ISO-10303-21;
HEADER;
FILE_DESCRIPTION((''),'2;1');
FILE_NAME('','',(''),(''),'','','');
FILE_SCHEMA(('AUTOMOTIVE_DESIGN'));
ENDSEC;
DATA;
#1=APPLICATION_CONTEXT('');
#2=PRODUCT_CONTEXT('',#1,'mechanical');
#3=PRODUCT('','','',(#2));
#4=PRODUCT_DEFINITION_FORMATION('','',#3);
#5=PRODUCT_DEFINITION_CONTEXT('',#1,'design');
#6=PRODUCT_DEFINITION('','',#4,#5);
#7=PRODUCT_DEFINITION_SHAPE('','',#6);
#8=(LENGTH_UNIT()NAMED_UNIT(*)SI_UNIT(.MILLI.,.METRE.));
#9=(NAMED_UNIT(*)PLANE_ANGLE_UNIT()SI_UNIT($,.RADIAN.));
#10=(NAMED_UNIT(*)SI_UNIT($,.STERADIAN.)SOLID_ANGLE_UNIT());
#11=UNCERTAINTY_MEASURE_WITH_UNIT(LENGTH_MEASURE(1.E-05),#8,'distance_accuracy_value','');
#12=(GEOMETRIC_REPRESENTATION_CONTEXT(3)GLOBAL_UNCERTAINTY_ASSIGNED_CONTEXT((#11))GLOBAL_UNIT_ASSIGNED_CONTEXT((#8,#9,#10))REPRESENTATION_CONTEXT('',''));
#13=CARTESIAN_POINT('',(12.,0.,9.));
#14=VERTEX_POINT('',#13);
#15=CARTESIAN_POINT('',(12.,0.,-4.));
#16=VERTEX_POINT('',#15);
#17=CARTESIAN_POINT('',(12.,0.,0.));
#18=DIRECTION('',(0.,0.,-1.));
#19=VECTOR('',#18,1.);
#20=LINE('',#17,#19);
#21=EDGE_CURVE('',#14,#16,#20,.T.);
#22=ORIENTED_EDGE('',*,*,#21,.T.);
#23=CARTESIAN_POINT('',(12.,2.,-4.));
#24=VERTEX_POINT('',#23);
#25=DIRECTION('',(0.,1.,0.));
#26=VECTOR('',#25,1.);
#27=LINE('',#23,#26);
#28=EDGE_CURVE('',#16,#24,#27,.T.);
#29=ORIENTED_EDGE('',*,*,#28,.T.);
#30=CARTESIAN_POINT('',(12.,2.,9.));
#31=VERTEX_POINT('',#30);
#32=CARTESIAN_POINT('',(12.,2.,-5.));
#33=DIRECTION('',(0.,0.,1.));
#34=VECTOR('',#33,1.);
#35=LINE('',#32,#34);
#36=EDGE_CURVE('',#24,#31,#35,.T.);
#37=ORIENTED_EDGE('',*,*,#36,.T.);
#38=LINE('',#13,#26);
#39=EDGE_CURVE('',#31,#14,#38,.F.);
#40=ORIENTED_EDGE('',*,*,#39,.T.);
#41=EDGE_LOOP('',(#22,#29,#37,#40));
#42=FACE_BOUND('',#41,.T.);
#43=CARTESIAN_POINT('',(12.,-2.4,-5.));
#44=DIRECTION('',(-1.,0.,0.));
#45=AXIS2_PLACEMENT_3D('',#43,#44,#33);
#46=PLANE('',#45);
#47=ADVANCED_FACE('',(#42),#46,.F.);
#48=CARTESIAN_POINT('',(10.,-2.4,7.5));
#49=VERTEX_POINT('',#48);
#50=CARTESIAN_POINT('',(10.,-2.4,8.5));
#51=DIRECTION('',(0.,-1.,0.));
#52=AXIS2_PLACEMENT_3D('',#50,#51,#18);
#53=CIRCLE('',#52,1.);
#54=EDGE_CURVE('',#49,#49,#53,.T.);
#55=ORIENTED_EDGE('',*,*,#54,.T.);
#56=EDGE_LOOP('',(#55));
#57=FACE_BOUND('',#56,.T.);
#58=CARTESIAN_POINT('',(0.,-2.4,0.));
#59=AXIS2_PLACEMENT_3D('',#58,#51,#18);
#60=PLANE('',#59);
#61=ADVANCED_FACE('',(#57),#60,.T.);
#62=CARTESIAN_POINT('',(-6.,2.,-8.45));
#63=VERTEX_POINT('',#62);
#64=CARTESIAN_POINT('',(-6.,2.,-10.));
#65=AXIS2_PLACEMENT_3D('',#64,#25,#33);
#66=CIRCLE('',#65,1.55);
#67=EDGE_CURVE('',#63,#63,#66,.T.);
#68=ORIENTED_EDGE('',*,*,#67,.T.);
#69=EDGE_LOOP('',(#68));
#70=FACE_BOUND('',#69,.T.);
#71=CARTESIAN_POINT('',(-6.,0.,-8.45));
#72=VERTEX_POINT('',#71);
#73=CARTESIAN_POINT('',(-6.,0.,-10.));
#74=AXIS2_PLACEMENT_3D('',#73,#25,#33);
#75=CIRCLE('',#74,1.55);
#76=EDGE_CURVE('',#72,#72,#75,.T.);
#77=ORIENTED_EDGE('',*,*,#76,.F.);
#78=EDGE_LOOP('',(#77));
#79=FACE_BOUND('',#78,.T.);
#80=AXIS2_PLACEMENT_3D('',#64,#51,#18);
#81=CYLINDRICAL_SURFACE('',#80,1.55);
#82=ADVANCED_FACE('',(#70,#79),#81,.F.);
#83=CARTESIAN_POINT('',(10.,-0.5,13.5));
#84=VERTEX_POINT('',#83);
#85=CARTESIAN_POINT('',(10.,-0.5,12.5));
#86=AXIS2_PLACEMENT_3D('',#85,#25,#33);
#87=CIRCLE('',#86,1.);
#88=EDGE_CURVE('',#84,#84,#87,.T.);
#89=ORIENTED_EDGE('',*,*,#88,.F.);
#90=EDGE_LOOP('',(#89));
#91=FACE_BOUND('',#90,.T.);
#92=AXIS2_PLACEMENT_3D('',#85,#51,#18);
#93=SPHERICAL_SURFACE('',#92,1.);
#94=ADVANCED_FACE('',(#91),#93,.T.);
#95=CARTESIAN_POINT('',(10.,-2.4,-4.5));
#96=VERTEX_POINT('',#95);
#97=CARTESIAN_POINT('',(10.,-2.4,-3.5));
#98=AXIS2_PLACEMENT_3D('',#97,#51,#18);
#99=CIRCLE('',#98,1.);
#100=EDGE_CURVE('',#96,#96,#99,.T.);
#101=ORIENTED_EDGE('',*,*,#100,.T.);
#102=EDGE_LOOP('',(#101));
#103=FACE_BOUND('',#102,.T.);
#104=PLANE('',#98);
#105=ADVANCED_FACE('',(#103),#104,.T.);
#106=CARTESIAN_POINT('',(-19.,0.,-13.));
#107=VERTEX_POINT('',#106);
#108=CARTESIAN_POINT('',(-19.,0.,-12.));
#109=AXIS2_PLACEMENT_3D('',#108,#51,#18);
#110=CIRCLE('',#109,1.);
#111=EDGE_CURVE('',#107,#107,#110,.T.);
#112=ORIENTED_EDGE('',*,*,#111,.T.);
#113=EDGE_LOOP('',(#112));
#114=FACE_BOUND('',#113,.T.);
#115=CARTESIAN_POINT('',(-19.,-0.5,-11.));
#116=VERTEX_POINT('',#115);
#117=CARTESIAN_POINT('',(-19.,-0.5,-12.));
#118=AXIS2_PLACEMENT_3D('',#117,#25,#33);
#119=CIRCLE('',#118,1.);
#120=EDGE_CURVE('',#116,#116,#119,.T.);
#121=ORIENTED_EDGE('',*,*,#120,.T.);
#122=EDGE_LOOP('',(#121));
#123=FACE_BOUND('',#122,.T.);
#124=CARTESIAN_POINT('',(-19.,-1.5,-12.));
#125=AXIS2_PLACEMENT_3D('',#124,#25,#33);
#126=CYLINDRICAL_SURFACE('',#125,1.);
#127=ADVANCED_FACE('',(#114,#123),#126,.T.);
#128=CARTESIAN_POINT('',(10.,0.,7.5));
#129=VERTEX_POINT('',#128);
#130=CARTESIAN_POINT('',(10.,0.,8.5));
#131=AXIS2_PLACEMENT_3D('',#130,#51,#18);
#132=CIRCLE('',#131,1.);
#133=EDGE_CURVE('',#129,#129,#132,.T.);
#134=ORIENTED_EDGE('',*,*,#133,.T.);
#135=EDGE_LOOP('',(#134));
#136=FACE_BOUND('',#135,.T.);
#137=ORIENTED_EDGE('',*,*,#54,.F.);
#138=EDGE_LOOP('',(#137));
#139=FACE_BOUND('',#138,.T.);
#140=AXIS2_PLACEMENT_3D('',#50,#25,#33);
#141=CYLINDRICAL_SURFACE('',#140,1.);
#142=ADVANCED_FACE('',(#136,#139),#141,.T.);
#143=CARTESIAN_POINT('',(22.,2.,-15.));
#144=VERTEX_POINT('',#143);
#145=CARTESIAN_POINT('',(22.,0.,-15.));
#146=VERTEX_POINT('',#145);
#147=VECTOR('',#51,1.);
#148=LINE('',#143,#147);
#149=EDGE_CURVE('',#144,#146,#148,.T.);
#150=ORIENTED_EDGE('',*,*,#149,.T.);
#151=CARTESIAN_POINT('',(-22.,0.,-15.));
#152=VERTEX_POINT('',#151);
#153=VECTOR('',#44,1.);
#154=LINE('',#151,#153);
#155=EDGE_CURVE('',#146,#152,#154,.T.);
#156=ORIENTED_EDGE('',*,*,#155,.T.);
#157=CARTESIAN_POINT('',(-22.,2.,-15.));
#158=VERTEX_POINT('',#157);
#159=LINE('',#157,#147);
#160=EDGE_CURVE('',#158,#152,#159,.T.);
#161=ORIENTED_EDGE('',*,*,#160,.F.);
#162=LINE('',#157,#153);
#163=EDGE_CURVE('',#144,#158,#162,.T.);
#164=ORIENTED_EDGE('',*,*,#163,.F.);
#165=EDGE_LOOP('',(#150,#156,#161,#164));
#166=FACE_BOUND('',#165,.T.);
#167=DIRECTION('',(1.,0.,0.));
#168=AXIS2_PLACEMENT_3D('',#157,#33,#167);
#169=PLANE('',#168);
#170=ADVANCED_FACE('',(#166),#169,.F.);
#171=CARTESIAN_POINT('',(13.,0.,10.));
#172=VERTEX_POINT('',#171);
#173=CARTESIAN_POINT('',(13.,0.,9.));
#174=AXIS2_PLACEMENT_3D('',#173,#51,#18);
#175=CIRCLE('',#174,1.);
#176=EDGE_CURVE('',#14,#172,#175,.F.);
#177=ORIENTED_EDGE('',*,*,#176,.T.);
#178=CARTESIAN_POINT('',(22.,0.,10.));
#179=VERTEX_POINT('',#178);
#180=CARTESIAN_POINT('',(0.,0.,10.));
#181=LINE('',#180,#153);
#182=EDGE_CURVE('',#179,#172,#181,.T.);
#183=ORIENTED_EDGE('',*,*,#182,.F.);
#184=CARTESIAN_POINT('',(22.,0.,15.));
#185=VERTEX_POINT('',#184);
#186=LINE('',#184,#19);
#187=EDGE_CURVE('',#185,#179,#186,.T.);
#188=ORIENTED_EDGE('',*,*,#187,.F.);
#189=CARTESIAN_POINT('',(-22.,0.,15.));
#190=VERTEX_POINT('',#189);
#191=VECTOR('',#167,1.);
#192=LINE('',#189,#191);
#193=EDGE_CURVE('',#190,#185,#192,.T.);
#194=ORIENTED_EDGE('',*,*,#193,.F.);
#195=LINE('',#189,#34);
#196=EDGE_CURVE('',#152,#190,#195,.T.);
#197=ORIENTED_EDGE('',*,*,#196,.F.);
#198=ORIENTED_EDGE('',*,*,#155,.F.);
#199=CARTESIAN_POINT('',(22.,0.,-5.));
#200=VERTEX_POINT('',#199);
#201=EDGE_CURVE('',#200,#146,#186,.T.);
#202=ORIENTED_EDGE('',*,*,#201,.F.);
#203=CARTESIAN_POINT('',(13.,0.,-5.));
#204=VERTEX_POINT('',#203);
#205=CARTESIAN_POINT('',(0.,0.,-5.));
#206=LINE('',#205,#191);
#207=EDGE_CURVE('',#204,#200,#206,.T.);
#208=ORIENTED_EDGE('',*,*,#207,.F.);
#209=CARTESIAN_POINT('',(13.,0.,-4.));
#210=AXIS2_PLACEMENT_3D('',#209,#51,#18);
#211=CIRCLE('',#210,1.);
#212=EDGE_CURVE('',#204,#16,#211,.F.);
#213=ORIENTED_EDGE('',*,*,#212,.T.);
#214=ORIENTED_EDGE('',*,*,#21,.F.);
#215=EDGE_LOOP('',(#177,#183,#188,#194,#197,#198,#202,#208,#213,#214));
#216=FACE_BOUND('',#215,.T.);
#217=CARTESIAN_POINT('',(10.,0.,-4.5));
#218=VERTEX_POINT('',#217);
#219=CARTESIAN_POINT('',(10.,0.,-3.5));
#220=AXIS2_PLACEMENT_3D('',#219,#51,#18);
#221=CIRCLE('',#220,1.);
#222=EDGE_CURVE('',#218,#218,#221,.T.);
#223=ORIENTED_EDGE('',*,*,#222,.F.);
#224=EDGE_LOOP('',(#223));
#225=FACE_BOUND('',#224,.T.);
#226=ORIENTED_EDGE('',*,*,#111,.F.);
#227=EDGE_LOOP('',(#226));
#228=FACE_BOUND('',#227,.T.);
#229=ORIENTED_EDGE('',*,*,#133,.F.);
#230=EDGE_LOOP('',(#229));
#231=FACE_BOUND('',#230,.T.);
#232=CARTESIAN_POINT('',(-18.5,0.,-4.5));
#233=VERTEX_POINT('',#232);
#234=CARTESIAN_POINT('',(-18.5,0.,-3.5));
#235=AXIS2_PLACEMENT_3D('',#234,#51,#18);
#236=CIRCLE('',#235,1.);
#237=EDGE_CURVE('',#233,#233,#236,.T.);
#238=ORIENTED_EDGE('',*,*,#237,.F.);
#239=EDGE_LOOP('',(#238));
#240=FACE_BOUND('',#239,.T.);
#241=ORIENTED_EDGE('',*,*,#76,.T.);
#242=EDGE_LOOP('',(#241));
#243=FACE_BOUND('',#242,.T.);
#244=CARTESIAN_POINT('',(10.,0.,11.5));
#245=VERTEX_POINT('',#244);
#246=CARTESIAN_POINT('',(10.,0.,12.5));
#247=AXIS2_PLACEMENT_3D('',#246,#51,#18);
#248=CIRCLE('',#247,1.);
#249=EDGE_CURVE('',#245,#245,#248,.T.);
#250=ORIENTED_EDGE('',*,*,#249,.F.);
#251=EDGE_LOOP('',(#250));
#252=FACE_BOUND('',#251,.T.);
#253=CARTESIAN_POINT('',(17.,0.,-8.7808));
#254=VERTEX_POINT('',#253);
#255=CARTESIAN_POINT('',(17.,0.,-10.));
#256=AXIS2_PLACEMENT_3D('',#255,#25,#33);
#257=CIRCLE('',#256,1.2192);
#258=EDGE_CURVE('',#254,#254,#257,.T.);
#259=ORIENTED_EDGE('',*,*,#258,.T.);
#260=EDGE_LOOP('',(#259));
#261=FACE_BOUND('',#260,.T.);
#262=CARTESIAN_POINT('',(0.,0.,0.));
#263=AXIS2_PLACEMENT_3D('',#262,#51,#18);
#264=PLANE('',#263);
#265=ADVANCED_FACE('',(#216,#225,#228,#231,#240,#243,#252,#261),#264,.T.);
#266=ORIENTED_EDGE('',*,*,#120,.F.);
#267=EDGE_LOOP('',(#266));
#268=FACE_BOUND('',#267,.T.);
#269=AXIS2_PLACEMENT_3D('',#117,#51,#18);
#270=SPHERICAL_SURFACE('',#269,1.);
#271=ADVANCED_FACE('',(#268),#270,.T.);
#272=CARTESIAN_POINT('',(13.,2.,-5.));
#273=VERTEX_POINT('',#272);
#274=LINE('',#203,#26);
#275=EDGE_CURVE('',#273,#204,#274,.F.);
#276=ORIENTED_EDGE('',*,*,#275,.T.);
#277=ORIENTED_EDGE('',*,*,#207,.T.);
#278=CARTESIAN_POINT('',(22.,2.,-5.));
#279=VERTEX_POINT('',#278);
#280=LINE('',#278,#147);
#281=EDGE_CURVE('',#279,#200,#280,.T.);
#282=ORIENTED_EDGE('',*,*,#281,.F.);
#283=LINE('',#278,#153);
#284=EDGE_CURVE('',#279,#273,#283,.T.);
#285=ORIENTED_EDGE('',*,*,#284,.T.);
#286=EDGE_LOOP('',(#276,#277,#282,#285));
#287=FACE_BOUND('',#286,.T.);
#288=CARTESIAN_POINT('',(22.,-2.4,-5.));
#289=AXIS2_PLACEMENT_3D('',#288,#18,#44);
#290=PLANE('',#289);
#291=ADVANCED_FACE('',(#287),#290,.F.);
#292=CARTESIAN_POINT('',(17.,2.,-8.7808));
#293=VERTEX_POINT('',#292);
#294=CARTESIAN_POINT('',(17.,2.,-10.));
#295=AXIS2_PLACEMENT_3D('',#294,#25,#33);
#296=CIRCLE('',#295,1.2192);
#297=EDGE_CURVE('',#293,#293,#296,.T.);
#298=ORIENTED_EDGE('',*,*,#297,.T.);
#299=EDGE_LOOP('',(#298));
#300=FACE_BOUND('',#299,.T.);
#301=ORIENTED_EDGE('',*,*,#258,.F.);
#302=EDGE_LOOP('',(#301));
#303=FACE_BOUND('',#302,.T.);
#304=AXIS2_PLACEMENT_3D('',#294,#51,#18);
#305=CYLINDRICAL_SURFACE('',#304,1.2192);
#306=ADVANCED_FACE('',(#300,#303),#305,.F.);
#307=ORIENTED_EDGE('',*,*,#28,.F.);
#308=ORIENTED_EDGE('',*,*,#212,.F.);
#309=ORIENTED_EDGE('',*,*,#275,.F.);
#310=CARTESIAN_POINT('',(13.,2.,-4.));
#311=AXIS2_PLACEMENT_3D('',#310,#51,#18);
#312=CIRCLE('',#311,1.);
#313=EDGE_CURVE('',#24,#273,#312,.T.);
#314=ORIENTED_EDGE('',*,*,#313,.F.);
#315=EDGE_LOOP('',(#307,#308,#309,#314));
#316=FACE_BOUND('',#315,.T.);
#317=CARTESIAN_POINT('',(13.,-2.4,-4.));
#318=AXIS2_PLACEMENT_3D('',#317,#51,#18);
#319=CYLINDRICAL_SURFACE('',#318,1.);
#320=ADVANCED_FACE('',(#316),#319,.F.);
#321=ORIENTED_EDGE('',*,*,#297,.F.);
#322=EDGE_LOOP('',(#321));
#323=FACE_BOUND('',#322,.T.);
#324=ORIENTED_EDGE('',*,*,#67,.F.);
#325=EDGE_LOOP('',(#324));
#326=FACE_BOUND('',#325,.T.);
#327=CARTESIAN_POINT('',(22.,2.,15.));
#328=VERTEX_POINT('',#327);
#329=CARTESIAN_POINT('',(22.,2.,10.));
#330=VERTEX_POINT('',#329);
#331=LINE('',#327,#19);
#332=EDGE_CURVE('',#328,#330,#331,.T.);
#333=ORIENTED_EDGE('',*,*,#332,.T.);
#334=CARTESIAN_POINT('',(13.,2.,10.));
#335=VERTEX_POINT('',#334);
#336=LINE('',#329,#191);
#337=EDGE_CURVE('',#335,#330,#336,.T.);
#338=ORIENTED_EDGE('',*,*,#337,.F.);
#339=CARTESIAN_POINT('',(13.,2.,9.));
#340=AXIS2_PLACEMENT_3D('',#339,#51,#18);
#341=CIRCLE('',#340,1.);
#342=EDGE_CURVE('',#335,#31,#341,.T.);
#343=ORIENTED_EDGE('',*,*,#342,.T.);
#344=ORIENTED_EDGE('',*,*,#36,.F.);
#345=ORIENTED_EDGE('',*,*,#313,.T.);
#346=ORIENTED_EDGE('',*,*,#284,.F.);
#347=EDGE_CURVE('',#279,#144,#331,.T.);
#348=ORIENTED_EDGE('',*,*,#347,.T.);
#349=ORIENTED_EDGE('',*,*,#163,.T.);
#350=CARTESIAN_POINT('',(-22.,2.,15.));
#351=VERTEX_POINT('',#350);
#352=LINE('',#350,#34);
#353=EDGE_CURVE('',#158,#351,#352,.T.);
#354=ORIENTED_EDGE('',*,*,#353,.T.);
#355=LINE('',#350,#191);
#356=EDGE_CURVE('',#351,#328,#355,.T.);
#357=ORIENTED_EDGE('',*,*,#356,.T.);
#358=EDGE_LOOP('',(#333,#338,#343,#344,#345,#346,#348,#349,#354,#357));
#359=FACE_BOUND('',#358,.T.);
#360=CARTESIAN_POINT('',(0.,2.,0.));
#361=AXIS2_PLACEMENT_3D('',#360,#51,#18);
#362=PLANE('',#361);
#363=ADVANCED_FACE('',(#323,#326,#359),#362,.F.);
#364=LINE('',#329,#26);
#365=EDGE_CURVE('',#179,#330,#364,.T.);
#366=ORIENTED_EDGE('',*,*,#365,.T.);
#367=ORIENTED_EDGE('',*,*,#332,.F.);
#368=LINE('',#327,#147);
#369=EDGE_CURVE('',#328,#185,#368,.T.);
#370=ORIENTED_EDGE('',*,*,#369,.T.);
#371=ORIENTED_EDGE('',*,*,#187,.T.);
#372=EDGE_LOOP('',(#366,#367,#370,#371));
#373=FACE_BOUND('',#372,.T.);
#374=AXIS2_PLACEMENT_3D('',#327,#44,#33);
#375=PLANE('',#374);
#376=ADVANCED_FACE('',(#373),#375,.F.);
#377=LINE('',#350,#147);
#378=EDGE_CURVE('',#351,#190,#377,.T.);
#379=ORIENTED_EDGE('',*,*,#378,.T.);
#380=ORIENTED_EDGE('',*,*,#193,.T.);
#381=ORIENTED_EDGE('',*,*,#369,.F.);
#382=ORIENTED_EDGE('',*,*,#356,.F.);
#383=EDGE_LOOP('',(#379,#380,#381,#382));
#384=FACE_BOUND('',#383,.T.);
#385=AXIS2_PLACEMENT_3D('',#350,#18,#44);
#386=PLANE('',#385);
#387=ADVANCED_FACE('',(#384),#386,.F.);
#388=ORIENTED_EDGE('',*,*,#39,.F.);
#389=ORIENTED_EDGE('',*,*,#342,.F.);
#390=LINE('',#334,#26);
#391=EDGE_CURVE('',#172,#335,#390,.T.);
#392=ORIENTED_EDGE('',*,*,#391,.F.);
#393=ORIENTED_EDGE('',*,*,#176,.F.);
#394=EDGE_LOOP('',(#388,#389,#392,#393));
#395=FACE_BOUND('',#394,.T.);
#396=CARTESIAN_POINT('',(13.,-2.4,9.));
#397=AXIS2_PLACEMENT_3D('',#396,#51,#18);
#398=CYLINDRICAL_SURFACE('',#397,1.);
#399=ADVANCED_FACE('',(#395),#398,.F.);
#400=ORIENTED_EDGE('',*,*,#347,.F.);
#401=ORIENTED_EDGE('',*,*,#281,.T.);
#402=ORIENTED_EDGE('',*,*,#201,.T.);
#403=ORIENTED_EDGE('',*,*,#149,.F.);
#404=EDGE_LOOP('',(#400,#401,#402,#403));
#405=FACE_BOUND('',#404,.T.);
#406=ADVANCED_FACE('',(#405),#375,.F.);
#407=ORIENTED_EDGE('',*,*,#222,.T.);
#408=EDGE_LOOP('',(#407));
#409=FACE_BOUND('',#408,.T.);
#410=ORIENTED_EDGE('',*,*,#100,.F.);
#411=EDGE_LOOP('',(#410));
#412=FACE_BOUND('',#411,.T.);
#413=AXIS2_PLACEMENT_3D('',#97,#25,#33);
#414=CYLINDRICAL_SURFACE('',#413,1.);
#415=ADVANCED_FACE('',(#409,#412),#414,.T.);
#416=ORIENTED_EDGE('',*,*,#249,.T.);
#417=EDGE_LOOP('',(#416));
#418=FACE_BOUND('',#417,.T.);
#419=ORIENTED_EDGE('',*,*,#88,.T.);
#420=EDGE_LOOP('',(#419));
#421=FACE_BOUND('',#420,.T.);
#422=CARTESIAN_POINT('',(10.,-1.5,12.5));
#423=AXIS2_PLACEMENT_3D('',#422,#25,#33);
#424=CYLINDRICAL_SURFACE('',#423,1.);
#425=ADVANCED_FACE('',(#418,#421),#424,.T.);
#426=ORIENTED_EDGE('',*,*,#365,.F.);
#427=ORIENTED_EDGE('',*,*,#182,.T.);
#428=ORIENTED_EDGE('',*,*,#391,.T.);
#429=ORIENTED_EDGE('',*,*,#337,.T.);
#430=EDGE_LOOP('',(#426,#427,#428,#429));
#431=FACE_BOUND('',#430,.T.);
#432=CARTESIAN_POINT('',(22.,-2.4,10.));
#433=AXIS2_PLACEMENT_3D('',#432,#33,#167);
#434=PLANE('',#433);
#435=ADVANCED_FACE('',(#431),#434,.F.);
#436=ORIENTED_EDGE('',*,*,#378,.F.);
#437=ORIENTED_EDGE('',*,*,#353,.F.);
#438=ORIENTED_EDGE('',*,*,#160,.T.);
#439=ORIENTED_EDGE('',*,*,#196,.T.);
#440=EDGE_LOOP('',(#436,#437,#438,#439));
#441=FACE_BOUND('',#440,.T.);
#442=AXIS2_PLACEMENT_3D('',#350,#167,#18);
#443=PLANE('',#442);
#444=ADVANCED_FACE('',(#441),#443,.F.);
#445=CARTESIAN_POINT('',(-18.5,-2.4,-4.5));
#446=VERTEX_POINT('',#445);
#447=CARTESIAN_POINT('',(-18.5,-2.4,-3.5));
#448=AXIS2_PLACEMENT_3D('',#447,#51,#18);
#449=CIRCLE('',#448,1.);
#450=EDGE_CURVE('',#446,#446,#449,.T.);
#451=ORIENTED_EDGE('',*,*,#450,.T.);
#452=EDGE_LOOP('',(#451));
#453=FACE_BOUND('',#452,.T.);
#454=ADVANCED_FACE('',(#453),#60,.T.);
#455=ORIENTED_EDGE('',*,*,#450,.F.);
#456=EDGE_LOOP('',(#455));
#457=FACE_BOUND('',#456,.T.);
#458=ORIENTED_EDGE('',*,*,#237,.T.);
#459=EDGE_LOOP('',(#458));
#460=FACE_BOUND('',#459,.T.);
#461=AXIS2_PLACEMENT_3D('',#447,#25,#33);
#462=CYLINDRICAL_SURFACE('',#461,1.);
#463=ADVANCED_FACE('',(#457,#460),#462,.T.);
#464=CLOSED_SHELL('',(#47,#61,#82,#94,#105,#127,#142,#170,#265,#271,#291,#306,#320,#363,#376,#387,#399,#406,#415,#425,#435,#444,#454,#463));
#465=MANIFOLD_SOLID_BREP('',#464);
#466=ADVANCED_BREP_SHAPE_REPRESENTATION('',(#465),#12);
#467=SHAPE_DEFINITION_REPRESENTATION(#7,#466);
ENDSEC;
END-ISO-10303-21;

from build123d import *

# Parameters (mm, degrees)
SKETCH1_W           = 44
SKETCH1_H           = 30
SKETCH1_R           = 1.2192
SKETCH1_R_2         = 1.55
BOSS_EXTRUDE1_DEPTH = 2
SKETCH2_R           = 1
BOSS_EXTRUDE2_DEPTH = 1.5
FILLET1_R           = 1
SKETCH4_R           = 1
BOSS_EXTRUDE3_DEPTH = 2.4
SKETCH5_W           = 10
SKETCH5_H           = 15
CUT_EXTRUDE1_DEPTH  = 27.988145546
FILLET2_R           = 1


with BuildPart() as part:
    # Sketch1 → Boss-Extrude1 (new body)
    with BuildSketch(Plane(origin=(0, 0, 0), x_dir=(1, 0, 0), z_dir=(0, 1, 0))):
        Rectangle(SKETCH1_W, SKETCH1_H)
        with Locations(Location((17, 10, 0), (0, 0, 270))):
            Circle(SKETCH1_R, mode=Mode.SUBTRACT)
        with Locations(Location((-6, 10, 0), (0, 0, 270))):
            Circle(SKETCH1_R_2, mode=Mode.SUBTRACT)
    extrude(amount=BOSS_EXTRUDE1_DEPTH)

    # Sketch2 → Boss-Extrude2 (add)
    with BuildSketch(Plane(origin=(0, 0, 0), x_dir=(-1, 0, 0), z_dir=(0, -1, 0))):
        with Locations(Location((19, 12, 0), (0, 0, 90))):
            Circle(SKETCH2_R)
        with Locations(Location((-10, -12.5, 0), (0, 0, 90))):
            Circle(SKETCH2_R)
    extrude(amount=BOSS_EXTRUDE2_DEPTH)

    # Fillet1
    fillet1_edges = [part.edges().sort_by_distance(p)[0] for p in [
        (-19, -1.5, -11),
        (10, -1.5, 13.5),
    ]]
    fillet(fillet1_edges, radius=FILLET1_R)

    # Sketch4 → Boss-Extrude3 (add)
    with BuildSketch(Plane.XZ):
        with Locations(Location((10, 8.5, 0), (0, 0, 270))):
            Circle(SKETCH4_R)
        with Locations(Location((-18.5, -3.5, 0), (0, 0, 270))):
            Circle(SKETCH4_R)
        with Locations(Location((10, -3.5, 0), (0, 0, 270))):
            Circle(SKETCH4_R)
    extrude(amount=BOSS_EXTRUDE3_DEPTH)

    # Sketch5 → Cut-Extrude1 (cut, through all)
    with BuildSketch(Plane(origin=(0, 2, 0), x_dir=(1, 0, 0), z_dir=(0, 1, 0))):
        with Locations((17, -2.5)):
            Rectangle(SKETCH5_W, SKETCH5_H)
    extrude(amount=-CUT_EXTRUDE1_DEPTH, mode=Mode.SUBTRACT)

    # Fillet2
    fillet2_edges = [part.edges().sort_by_distance(p)[0] for p in [
        (12, 1, 10),
        (12, 1, -5),
    ]]
    fillet(fillet2_edges, radius=FILLET2_R)


solid = part.part
